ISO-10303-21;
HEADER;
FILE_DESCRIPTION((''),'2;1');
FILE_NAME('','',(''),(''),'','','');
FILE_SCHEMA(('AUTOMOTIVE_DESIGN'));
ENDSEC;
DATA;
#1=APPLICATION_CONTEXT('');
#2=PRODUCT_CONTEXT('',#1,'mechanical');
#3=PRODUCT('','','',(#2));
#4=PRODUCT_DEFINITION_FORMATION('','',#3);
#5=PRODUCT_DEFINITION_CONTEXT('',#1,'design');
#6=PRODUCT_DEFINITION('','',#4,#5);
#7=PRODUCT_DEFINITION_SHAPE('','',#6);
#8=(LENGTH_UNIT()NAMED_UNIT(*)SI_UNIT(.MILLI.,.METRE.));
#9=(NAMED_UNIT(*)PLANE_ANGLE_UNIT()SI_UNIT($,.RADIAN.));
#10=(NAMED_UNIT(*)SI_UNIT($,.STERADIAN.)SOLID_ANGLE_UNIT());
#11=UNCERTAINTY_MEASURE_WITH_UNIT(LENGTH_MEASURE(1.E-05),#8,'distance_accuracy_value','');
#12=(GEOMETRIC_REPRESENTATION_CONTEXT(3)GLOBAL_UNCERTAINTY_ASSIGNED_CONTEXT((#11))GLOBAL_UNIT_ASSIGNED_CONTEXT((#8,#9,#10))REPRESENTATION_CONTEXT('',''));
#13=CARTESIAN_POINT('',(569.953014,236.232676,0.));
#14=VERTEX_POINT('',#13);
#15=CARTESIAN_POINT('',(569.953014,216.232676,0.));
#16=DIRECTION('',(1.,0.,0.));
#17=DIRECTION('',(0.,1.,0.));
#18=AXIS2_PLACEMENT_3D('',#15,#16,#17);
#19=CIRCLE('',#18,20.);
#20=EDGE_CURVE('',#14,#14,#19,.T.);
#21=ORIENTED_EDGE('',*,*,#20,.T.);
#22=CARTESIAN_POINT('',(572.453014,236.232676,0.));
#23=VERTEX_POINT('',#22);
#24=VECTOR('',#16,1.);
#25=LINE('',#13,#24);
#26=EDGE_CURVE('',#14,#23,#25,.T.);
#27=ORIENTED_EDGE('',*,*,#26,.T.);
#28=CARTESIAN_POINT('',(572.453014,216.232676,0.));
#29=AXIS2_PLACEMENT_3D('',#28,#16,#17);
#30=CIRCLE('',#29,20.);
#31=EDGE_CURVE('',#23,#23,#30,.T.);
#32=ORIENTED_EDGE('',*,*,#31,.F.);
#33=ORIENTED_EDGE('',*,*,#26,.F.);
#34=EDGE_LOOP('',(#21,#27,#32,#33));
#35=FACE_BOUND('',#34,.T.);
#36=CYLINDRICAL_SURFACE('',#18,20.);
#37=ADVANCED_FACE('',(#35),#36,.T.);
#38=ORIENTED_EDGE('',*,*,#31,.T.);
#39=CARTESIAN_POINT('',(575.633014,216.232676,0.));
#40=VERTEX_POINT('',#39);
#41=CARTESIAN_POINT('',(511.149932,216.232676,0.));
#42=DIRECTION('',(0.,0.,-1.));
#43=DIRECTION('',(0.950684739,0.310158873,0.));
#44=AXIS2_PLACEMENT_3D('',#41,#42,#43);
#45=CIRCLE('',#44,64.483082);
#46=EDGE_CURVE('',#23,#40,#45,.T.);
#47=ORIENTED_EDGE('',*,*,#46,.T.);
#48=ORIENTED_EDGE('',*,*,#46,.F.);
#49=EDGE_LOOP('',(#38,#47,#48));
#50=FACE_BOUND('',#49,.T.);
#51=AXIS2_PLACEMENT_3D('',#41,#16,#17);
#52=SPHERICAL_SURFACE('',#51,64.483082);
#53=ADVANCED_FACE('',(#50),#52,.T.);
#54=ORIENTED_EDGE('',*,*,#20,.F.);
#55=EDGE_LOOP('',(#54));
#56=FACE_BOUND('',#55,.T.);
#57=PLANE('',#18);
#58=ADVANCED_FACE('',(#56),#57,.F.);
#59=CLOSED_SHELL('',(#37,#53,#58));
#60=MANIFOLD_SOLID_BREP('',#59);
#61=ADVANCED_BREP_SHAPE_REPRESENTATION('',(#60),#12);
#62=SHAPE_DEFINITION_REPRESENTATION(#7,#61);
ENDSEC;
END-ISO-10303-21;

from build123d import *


with BuildPart() as part:
    # 草图1 → 旋转1 (revolve)
    with BuildSketch(Plane.XY):
        with BuildLine():
            Line((569.953013674, 216.232675746), (569.953013674, 236.232675746))
            Line((569.953013674, 236.232675746), (572.453013674, 236.232675746))
            ThreePointArc((572.453013674, 236.232675746), (574.833051602, 226.358291777), (575.633013674, 216.232675746))
            Line((575.633013674, 216.232675746), (569.953013674, 216.232675746))
        make_face()
    revolve(axis=Axis((560.446516354, 216.232675746, 0), (1, 0, 0)))


solid = part.part
